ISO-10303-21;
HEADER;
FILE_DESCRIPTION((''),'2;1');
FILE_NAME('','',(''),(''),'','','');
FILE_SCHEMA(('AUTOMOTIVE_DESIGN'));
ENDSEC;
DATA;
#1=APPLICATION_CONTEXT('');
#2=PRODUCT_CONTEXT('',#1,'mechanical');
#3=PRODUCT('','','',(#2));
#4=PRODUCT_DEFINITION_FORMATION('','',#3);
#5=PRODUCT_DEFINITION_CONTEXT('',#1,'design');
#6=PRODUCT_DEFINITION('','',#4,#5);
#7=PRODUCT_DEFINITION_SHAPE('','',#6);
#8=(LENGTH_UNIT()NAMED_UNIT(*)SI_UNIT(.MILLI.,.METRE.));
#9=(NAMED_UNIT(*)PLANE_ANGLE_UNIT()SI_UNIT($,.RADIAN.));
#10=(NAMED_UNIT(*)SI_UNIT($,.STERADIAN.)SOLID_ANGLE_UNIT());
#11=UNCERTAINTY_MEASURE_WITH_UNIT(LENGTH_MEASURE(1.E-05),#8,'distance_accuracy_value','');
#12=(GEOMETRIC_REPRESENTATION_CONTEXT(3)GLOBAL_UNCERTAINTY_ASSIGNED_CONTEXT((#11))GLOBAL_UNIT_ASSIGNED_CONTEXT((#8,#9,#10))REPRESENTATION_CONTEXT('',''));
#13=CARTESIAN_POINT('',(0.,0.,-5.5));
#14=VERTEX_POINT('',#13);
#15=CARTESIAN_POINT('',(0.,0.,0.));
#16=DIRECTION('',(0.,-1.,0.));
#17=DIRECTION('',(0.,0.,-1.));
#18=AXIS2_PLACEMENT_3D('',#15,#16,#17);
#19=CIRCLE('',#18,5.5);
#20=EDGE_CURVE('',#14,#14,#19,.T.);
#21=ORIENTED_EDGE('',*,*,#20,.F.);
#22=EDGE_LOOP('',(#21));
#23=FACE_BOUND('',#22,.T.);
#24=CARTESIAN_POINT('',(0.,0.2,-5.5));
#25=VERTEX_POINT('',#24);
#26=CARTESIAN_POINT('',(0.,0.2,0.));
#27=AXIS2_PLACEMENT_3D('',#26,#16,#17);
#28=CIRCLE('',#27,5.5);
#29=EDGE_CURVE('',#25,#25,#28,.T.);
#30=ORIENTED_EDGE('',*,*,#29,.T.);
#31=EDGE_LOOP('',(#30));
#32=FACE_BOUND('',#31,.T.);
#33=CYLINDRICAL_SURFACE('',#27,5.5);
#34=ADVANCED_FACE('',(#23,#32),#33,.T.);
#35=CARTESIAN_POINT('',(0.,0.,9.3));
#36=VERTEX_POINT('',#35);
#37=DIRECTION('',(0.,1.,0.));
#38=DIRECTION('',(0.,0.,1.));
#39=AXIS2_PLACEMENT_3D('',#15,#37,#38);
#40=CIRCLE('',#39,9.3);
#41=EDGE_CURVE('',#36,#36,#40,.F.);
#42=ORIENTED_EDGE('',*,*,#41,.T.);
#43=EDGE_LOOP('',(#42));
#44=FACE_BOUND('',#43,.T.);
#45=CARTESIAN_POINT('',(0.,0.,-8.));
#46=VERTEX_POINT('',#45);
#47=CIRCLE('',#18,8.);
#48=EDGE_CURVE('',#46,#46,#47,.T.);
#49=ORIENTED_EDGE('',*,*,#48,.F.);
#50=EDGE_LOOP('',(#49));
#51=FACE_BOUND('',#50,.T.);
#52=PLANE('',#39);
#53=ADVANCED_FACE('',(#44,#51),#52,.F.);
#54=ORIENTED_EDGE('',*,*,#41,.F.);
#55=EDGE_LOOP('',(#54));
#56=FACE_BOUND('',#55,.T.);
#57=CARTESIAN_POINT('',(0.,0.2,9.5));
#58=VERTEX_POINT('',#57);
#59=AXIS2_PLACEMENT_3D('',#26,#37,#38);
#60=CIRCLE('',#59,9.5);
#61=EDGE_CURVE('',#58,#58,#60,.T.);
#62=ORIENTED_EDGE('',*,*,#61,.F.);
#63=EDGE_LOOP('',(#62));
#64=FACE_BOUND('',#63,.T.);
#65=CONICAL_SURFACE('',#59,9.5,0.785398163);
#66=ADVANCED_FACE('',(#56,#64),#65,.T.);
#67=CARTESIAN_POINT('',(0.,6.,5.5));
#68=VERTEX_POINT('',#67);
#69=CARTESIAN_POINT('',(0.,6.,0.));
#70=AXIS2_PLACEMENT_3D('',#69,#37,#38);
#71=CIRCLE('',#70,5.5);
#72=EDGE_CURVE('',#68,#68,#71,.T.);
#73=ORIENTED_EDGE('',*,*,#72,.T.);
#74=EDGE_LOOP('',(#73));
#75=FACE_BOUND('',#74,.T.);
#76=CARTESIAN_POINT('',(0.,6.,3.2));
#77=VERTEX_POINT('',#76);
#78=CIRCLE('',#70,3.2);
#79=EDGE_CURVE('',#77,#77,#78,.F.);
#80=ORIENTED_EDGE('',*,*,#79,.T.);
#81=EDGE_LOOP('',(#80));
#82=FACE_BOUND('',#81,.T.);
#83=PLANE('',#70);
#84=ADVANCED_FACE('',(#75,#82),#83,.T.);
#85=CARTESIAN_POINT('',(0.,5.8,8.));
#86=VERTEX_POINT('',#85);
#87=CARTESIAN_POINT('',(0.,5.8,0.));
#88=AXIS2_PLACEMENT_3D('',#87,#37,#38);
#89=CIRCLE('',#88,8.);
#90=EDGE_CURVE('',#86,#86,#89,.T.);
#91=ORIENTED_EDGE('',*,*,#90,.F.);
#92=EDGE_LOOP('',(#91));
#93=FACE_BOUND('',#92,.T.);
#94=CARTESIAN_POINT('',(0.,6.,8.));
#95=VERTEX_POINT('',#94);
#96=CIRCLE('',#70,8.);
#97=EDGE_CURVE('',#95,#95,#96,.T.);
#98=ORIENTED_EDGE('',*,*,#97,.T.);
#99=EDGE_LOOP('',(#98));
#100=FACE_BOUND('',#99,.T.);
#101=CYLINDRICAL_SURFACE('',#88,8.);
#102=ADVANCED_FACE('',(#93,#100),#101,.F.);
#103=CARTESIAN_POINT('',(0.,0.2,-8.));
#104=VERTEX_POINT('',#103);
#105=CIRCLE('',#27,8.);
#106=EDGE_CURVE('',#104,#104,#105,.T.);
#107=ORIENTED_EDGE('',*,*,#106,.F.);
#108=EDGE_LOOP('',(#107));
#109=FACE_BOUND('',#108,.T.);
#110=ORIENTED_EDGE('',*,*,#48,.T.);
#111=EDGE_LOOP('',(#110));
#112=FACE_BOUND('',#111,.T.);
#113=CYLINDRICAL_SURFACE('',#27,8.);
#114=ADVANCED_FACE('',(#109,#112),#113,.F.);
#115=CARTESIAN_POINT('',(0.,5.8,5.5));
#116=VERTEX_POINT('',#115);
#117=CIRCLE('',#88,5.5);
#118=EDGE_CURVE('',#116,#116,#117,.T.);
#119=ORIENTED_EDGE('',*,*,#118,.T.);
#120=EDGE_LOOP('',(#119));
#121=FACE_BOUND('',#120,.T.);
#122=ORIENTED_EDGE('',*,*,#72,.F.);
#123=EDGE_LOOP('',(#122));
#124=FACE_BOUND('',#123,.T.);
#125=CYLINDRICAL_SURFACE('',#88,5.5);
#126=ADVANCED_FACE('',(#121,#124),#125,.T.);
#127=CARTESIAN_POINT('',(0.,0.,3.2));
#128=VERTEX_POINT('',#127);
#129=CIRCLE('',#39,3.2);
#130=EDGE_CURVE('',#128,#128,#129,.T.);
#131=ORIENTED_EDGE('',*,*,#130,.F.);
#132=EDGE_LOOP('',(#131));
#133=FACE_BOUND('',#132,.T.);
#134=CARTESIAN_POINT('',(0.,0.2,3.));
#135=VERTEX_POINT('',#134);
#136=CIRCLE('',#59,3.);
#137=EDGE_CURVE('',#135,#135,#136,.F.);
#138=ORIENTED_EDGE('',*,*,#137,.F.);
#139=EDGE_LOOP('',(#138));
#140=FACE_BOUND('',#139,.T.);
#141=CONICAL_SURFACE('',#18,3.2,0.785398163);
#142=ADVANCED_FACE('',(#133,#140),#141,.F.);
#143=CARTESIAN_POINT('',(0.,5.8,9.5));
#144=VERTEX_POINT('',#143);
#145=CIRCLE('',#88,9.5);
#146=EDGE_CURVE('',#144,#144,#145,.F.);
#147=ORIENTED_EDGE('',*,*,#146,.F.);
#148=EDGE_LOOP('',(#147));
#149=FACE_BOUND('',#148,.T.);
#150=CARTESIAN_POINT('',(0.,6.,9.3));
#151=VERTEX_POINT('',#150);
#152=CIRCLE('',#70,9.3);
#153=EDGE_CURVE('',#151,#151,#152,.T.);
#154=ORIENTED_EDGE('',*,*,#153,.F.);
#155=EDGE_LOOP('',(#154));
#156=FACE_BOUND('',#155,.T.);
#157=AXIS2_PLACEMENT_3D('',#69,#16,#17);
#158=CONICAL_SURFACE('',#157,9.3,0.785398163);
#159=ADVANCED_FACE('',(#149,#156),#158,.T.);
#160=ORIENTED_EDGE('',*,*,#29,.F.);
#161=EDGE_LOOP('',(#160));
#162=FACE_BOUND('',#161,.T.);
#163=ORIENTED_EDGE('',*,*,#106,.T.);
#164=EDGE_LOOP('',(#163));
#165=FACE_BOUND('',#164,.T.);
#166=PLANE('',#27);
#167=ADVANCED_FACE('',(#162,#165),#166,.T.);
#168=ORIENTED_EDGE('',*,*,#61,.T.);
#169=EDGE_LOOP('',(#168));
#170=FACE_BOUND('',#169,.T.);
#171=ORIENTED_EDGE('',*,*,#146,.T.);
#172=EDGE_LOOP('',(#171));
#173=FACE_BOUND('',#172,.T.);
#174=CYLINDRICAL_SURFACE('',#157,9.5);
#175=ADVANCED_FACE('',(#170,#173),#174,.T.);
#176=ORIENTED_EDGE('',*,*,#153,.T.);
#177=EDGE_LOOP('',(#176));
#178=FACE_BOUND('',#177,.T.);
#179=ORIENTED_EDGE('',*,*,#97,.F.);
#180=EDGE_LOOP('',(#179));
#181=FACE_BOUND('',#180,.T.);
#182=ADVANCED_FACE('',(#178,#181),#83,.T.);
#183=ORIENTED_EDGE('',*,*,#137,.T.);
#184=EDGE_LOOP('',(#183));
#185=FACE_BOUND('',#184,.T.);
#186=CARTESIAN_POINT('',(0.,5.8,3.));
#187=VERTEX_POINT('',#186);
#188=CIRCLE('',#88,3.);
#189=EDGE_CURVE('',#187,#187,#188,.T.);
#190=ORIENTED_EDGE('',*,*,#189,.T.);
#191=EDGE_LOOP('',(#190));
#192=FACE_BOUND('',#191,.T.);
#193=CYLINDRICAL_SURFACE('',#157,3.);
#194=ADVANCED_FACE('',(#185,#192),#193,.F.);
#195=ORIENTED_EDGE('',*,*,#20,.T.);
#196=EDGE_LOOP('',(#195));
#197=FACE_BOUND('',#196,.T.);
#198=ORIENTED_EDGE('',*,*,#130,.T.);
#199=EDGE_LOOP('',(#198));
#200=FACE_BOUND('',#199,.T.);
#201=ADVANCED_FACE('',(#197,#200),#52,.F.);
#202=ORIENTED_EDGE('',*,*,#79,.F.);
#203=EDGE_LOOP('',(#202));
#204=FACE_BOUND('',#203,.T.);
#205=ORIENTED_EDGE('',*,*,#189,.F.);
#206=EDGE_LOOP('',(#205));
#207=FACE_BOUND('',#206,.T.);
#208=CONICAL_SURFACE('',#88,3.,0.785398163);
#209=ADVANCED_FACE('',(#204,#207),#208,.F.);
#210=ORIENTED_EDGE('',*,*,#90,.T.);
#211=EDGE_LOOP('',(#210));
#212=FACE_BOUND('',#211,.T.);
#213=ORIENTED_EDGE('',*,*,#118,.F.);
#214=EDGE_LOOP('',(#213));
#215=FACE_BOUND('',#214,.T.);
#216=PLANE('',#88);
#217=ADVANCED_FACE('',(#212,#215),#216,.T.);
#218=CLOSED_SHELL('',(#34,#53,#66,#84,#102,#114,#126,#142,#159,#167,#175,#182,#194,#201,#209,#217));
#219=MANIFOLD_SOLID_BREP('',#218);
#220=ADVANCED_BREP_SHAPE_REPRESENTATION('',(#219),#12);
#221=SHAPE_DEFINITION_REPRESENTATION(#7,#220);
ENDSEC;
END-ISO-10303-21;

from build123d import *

# Parameters (mm, degrees)
SKETCH1_R           = 9.5
SKETCH1_R_2         = 3
BOSS_EXTRUDE1_DEPTH = 6
SKETCH2_R           = 8
SKETCH2_R_2         = 5.5
CUT_EXTRUDE1_DEPTH  = 0.2
SKETCH3_R           = 8
SKETCH3_R_2         = 5.5
CUT_EXTRUDE2_DEPTH  = 0.2
CHAMFER1_SIZE       = 0.2


with BuildPart() as part:
    # Sketch1 → Boss-Extrude1 (new body)
    with BuildSketch(Plane(origin=(0, 0, 0), x_dir=(1, 0, 0), z_dir=(0, 1, 0))):
        Circle(SKETCH1_R)
        Circle(SKETCH1_R_2, mode=Mode.SUBTRACT)
    extrude(amount=BOSS_EXTRUDE1_DEPTH)

    # Sketch2 → Cut-Extrude1 (cut)
    with BuildSketch(Plane(origin=(0, 6, 0), x_dir=(1, 0, 0), z_dir=(0, 1, 0))):
        Circle(SKETCH2_R)
        Circle(SKETCH2_R_2, mode=Mode.SUBTRACT)
    extrude(amount=-CUT_EXTRUDE1_DEPTH, mode=Mode.SUBTRACT)

    # Sketch3 → Cut-Extrude2 (cut)
    with BuildSketch(Plane.XZ):
        Circle(SKETCH3_R)
        Circle(SKETCH3_R_2, mode=Mode.SUBTRACT)
    extrude(amount=-CUT_EXTRUDE2_DEPTH, mode=Mode.SUBTRACT)

    # Chamfer1
    chamfer1_edges = [part.edges().sort_by_distance(p)[0] for p in [
        (-9.5, 0, 0),
        (-9.5, 6, 0),
        (-3, 0, 0),
        (-3, 6, 0),
    ]]
    chamfer(chamfer1_edges, length=CHAMFER1_SIZE)


solid = part.part
